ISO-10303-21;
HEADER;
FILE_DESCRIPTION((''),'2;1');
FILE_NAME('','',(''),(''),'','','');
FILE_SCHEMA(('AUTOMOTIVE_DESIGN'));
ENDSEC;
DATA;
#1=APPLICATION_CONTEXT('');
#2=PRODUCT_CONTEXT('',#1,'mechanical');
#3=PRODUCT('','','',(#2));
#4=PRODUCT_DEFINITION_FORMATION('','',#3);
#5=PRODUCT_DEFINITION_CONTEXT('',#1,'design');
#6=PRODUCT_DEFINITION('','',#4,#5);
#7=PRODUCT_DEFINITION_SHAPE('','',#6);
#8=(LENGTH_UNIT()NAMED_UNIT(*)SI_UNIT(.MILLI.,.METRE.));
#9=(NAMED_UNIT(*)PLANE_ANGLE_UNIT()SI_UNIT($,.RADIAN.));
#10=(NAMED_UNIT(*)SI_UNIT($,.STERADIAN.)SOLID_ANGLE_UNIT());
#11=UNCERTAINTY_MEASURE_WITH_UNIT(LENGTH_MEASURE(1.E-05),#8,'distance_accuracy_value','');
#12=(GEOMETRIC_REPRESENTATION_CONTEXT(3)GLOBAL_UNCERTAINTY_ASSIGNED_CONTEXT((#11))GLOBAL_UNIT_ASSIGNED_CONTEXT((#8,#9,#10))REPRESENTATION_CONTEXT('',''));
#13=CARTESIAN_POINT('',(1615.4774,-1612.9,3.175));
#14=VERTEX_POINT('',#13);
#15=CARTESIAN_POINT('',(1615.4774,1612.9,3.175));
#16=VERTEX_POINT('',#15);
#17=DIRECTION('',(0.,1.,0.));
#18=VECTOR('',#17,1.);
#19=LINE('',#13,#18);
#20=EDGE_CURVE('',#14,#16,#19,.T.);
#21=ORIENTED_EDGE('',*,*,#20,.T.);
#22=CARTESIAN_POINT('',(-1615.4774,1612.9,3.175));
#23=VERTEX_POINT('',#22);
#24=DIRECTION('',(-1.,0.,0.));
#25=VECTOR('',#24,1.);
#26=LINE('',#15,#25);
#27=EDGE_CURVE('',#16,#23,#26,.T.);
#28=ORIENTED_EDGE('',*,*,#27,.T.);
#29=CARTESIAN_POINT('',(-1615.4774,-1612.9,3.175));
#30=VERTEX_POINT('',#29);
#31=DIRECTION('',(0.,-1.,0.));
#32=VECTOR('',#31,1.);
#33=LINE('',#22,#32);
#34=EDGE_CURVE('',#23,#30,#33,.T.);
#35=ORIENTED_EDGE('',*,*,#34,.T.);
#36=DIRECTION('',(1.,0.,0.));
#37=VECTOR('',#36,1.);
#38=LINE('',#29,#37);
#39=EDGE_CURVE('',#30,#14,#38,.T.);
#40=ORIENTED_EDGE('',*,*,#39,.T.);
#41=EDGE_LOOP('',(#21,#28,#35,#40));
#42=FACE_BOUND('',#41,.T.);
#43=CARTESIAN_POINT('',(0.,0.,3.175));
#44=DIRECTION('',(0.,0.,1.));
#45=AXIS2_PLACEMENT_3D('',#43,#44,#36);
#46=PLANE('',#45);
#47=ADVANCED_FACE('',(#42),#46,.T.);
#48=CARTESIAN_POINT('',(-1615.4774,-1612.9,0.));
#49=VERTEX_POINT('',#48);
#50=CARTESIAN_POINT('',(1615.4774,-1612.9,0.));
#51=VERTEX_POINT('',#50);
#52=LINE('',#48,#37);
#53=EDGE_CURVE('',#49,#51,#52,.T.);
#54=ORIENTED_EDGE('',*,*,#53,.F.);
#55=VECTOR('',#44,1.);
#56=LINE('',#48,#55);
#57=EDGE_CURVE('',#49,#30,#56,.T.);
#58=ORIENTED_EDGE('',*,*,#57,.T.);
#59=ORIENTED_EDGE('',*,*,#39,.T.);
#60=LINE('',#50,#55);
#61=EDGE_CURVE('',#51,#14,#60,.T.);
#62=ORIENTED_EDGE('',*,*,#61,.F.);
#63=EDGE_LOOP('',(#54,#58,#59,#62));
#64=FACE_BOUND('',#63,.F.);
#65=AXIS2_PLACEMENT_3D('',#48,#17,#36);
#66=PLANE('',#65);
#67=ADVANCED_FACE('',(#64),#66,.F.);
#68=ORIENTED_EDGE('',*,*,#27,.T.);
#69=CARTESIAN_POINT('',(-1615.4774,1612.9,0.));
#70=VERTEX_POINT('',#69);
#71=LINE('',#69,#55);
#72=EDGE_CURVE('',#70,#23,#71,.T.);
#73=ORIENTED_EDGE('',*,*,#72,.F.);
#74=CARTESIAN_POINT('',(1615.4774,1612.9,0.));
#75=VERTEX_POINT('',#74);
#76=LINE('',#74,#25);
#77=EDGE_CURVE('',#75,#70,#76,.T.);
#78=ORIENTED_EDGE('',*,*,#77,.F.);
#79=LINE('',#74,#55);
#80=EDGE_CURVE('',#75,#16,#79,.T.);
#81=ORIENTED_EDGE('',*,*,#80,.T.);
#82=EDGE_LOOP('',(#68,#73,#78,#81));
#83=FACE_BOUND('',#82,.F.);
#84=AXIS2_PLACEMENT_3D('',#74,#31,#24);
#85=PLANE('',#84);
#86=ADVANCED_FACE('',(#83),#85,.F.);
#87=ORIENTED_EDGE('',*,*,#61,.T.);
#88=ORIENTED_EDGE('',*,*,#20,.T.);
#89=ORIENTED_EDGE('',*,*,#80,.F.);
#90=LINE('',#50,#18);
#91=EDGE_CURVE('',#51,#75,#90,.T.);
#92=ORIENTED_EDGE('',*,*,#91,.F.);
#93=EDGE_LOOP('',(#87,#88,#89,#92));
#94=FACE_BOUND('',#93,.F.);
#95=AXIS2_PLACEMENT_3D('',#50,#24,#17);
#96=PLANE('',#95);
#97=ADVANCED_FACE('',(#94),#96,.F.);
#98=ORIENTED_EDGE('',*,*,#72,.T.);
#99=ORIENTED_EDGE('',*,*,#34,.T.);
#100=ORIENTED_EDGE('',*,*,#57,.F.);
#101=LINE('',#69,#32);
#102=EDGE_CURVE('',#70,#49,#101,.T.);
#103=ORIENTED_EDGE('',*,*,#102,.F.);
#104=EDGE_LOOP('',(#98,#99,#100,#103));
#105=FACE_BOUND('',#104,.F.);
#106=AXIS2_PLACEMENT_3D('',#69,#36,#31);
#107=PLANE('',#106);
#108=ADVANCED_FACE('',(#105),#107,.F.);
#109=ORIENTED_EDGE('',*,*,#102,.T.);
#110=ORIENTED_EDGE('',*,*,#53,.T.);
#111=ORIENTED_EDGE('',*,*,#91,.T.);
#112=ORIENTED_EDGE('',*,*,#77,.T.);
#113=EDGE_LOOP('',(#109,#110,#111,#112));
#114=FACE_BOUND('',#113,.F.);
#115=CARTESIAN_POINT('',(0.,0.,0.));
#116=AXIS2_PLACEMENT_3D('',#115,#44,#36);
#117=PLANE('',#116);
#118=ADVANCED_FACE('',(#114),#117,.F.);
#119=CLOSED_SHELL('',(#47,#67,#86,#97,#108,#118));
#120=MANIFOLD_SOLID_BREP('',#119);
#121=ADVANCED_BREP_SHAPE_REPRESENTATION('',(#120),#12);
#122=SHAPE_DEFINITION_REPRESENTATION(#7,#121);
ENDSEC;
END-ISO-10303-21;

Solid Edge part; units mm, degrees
sketch "Sketch1" plane through (0, 0, 0) normal (0, 0, 1) x (1, 0, 0)
  line L0 (-1615.4774, 1612.9) -> (-1615.4774, -1612.9)
  line L1 (-1615.4774, -1612.9) -> (1615.4774, -1612.9)
  line L2 (1615.4774, -1612.9) -> (1615.4774, 1612.9)
  line L3 (1615.4774, 1612.9) -> (-1615.4774, 1612.9)
  dimension "D1" = 3225.8
  dimension "D2" = 3230.9549
extrude "Protrusion1" add sketch "Sketch1" along normal blind 3.175
